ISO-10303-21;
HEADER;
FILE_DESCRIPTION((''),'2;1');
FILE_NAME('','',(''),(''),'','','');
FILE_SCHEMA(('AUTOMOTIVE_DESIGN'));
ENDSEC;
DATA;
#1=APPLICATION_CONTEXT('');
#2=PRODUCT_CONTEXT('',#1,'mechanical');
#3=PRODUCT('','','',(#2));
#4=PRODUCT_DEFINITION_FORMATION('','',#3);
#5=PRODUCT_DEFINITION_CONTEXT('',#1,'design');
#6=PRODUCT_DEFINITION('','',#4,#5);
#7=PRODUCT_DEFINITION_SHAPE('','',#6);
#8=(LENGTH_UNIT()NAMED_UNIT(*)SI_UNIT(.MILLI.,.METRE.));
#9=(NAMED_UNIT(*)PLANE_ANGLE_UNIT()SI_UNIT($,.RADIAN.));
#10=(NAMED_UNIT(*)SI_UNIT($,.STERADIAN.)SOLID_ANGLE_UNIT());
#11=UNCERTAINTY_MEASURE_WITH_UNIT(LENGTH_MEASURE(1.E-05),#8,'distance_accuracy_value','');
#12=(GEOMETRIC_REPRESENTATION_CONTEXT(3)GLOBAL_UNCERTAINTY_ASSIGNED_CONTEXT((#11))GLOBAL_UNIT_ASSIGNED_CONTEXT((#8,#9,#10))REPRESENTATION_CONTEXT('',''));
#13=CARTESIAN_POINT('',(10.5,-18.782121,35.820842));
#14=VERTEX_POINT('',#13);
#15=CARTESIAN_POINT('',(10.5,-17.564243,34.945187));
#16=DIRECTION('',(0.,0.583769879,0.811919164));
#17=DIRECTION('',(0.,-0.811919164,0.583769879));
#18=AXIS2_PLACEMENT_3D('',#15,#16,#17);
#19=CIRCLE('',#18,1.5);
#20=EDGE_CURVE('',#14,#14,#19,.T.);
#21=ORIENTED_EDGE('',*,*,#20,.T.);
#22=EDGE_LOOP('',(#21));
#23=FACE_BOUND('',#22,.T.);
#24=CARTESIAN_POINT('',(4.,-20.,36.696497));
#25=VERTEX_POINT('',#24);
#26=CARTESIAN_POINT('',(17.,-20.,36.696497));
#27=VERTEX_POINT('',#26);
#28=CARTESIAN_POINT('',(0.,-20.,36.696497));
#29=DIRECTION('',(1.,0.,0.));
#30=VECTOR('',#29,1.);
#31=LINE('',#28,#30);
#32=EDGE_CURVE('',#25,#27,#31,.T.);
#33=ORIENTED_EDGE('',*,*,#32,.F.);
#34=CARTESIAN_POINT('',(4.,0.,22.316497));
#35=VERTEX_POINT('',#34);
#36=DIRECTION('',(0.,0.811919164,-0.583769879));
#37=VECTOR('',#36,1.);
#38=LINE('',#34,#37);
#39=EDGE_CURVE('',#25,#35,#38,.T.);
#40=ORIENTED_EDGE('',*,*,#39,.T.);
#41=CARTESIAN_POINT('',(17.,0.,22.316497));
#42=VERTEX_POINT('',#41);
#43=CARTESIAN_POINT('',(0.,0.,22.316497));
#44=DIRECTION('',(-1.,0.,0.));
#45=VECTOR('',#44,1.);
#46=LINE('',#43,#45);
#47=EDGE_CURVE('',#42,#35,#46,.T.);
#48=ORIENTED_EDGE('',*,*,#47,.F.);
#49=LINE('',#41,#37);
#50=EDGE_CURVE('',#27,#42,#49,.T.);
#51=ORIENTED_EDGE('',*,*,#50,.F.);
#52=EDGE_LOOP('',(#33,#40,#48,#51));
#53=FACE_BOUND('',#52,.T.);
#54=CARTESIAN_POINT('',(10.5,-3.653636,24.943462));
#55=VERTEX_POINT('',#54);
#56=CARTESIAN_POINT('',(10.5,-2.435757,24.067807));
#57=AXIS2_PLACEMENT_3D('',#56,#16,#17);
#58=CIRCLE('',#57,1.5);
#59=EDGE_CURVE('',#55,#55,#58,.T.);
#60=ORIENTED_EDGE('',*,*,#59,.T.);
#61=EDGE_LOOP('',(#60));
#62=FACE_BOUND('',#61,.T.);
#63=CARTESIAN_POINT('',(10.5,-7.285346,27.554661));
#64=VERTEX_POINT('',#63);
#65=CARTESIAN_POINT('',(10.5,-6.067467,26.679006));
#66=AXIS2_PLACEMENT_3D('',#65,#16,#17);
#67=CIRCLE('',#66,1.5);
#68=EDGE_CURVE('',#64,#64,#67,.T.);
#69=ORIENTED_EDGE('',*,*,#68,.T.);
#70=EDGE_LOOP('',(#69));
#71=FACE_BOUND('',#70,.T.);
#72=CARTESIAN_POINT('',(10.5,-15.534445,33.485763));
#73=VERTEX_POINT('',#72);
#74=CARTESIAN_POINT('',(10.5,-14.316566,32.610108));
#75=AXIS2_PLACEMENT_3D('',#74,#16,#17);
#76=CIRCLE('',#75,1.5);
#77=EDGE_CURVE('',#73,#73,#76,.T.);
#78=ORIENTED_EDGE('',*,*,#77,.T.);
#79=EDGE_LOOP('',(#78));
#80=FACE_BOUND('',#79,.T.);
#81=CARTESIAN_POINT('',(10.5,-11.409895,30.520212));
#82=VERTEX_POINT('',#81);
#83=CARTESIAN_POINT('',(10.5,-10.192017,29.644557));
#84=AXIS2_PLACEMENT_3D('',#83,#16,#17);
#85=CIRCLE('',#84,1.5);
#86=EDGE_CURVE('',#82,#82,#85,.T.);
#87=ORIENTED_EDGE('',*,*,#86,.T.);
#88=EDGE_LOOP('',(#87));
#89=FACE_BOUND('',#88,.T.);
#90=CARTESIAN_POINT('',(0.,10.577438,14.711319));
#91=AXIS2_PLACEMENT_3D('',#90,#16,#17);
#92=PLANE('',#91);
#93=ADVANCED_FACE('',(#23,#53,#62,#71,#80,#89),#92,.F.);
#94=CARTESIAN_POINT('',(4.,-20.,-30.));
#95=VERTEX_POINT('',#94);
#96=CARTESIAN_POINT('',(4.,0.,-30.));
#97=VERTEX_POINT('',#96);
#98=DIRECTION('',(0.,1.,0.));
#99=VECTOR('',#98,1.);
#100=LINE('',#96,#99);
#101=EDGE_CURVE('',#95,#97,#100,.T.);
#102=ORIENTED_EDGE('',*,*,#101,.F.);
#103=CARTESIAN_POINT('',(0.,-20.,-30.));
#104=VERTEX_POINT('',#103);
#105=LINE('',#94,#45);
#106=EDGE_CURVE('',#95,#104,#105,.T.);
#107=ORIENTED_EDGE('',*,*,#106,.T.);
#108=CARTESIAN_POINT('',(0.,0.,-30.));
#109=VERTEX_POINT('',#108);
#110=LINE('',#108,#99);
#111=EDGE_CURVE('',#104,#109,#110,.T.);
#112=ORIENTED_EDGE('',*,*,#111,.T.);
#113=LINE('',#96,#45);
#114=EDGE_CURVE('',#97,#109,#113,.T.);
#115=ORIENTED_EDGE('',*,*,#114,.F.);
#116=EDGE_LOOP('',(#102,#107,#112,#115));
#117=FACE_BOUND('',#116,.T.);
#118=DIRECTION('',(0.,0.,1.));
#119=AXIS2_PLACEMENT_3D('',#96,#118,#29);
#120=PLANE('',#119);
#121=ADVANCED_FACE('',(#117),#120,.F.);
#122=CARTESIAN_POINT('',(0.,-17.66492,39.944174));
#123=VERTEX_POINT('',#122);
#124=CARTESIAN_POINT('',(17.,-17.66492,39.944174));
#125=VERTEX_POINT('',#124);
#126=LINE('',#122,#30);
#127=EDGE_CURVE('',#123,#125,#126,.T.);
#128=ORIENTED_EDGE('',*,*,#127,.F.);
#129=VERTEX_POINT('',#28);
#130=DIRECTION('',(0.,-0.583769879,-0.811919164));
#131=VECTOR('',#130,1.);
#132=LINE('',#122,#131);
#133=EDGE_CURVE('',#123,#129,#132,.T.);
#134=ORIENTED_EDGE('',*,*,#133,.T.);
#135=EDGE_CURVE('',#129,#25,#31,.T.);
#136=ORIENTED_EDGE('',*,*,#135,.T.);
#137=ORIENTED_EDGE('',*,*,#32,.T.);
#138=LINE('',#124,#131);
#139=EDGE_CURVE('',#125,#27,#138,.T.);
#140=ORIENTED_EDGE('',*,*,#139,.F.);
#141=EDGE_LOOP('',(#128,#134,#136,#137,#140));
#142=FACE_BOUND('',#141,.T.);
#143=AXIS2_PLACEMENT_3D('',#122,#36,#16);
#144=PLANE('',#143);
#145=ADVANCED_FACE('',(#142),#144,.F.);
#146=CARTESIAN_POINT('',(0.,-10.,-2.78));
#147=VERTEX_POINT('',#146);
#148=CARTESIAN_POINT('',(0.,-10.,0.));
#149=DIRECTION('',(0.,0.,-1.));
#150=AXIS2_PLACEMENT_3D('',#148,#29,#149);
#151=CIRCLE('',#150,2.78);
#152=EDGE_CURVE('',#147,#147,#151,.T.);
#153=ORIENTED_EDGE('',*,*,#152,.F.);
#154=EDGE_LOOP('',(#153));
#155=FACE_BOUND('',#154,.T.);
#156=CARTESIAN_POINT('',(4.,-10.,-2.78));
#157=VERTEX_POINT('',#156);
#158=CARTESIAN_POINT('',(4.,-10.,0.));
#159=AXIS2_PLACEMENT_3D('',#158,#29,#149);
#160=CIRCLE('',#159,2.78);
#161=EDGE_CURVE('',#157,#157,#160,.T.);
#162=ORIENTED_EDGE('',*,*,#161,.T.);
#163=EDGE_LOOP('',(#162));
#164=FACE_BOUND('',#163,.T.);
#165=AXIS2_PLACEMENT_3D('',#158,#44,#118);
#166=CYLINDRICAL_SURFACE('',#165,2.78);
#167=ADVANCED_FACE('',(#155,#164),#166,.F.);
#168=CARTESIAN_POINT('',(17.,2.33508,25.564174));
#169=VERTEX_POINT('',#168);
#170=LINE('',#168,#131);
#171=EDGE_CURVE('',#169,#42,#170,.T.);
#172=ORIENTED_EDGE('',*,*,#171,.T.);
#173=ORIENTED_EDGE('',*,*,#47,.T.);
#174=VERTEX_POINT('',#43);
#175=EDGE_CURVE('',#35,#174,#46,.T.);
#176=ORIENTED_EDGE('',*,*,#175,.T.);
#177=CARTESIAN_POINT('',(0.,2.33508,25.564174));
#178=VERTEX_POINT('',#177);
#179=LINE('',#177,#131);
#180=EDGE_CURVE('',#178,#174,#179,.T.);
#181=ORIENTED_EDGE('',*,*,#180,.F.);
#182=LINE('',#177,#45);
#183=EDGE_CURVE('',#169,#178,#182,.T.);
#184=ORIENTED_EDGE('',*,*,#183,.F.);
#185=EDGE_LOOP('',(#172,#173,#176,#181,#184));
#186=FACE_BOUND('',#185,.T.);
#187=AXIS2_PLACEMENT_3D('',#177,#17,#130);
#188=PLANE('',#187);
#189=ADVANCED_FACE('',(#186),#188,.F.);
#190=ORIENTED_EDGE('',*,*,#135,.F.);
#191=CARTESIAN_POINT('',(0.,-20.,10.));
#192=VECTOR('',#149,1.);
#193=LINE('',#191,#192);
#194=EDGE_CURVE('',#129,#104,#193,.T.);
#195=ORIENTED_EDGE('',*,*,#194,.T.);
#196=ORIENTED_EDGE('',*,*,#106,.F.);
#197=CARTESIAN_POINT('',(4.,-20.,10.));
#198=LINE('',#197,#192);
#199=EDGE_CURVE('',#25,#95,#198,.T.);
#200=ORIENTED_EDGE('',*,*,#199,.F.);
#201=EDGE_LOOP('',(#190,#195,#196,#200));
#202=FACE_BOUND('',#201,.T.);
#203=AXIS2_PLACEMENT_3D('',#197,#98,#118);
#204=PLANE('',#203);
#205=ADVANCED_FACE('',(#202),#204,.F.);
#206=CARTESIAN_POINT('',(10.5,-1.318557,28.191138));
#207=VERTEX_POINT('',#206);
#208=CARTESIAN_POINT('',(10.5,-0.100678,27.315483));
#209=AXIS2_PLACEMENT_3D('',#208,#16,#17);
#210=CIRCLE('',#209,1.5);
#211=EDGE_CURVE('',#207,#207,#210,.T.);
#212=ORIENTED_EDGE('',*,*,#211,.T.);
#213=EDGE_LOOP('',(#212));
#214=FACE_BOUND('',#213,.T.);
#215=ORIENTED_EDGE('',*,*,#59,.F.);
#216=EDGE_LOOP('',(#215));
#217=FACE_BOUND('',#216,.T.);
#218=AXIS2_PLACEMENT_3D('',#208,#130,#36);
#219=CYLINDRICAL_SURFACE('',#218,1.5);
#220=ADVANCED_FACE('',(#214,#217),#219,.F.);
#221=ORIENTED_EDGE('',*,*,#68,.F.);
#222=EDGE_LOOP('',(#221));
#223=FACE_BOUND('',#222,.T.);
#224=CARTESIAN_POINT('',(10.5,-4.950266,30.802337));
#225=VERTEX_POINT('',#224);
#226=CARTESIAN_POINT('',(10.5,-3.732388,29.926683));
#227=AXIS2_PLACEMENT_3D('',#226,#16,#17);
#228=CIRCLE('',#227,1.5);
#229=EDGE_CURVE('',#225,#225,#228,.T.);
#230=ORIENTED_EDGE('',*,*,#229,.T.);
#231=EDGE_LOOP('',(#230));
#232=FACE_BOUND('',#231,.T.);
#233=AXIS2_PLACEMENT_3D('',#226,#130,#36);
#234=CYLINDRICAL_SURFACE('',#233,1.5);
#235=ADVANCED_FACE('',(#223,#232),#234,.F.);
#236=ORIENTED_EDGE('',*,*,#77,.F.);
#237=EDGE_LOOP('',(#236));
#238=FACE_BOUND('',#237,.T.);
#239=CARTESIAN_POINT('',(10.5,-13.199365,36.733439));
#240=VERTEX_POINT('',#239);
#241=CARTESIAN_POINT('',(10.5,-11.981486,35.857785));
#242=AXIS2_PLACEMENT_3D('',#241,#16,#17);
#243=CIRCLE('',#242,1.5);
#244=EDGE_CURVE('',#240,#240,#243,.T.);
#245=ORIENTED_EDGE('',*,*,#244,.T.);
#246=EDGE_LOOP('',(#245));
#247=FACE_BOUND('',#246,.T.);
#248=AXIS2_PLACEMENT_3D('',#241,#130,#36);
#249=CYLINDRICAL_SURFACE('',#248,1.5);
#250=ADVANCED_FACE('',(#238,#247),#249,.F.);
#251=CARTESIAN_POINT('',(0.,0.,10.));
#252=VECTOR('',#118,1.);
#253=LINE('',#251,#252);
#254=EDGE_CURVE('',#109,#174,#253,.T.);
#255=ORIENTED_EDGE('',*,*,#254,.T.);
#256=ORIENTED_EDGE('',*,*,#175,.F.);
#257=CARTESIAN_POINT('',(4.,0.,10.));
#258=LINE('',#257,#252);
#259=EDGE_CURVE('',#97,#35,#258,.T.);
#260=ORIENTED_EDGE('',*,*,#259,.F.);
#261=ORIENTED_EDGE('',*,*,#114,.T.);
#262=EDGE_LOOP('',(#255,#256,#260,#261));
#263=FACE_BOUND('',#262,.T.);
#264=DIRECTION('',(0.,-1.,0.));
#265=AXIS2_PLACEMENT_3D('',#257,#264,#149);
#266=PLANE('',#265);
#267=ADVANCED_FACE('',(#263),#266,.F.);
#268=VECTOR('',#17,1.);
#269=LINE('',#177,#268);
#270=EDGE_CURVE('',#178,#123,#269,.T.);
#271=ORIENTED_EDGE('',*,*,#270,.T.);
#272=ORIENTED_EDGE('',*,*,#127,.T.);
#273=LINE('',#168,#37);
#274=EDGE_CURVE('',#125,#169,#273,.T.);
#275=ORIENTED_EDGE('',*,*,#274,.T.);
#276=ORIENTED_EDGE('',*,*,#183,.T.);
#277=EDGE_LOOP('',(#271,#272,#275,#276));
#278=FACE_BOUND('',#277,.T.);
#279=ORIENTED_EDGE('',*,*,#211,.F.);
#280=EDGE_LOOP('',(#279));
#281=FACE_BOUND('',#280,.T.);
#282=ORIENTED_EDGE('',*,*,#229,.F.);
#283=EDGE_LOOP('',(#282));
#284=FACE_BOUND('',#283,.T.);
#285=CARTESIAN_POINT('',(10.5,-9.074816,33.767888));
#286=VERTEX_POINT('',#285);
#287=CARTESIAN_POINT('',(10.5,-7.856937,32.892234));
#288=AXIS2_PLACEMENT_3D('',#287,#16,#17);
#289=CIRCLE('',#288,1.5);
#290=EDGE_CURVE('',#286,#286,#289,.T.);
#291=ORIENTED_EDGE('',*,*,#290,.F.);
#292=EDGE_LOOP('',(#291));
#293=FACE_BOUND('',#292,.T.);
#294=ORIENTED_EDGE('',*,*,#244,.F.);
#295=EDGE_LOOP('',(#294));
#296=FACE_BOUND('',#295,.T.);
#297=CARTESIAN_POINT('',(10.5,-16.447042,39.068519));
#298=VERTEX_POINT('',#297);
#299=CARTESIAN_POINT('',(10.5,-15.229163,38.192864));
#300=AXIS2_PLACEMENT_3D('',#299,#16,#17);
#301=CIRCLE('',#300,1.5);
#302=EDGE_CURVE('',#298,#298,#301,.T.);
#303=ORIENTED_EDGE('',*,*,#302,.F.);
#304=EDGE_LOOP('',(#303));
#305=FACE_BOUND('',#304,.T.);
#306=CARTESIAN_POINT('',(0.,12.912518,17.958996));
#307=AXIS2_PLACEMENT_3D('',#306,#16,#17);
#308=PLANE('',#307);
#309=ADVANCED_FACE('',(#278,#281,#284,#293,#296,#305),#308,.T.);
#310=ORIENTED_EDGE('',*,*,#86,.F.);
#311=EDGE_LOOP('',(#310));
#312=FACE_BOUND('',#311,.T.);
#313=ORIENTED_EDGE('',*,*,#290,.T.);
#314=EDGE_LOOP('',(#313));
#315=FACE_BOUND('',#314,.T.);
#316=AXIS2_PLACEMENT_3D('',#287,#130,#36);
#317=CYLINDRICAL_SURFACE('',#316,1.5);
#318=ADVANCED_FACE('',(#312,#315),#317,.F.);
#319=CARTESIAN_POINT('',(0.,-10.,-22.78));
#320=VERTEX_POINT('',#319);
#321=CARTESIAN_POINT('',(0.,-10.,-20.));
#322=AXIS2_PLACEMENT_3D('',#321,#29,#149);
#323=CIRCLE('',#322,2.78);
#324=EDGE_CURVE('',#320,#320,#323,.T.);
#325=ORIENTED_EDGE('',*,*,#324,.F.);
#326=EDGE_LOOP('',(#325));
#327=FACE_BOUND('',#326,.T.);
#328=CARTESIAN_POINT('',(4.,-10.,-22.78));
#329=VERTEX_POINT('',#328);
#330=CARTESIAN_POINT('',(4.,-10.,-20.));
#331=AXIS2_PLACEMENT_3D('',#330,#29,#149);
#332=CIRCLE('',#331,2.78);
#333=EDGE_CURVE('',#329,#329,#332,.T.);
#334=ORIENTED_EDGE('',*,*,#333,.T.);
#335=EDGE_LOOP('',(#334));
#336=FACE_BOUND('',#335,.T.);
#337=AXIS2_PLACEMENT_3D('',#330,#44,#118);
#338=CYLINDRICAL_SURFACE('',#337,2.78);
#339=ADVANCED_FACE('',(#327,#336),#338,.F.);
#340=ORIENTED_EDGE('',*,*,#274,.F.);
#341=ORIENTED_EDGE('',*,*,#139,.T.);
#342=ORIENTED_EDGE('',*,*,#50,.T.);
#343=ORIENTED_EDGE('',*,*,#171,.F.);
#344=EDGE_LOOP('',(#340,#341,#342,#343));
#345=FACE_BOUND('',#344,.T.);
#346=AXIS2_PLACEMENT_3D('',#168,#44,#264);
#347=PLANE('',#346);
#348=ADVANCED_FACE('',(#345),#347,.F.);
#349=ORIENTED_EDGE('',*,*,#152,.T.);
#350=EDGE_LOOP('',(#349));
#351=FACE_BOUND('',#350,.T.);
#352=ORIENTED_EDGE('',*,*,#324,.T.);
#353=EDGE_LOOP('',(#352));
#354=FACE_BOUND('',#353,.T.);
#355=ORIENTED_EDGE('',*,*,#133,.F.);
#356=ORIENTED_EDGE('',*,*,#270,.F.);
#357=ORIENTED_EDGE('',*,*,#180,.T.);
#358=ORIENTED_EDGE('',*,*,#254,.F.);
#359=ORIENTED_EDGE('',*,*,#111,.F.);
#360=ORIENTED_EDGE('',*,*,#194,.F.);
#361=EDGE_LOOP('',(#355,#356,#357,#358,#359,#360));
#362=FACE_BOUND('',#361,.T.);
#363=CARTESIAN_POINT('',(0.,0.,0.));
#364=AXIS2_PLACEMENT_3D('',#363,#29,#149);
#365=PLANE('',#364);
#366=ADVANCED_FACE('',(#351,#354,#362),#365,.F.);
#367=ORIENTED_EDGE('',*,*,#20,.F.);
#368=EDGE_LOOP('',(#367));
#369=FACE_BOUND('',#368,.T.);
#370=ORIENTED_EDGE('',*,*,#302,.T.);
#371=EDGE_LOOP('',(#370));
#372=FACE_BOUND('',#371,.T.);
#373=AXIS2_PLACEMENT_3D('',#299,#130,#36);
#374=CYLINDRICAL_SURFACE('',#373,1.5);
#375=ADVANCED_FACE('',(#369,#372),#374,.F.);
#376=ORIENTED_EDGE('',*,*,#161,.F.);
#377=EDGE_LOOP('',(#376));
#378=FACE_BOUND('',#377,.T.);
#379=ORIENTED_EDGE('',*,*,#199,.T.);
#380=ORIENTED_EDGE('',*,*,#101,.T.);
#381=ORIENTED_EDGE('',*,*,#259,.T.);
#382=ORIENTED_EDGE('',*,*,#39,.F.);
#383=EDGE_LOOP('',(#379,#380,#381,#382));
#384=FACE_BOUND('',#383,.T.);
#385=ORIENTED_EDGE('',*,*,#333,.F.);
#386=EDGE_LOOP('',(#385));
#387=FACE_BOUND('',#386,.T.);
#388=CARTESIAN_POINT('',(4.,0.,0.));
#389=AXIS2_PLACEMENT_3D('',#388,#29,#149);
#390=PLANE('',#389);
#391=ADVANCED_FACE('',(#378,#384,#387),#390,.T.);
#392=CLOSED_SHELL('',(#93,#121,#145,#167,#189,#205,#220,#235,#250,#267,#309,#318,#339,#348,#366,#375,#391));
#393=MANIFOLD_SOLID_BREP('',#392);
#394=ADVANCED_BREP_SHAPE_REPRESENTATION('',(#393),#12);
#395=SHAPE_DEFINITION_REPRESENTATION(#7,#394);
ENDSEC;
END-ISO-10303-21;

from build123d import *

# Parameters (mm, degrees)
SKETCH1_W           = 40
SKETCH1_H           = 20
SKETCH1_R           = 2.78
BOSS_EXTRUDE1_DEPTH = 4
SKETCH6_W           = 17
SKETCH6_H           = 24.632994134
SKETCH6_R           = 1.5
BOSS_EXTRUDE2_DEPTH = 4


with BuildPart() as part:
    # Sketch1 → Boss-Extrude1 (new body)
    with BuildSketch(Plane(origin=(0, 0, 0), x_dir=(0, 0, -1), z_dir=(1, 0, 0))):
        with Locations((10, -10)):
            Rectangle(SKETCH1_W, SKETCH1_H)
        with Locations((0, -10)):
            Circle(SKETCH1_R, mode=Mode.SUBTRACT)
        with Locations((20, -10)):
            Circle(SKETCH1_R, mode=Mode.SUBTRACT)
    extrude(amount=BOSS_EXTRUDE1_DEPTH)

    # Sketch5 → section 0 of loft1
    with BuildSketch(Plane(origin=(0, 10.577438307, 14.711318924), x_dir=(1, 0, 0), z_dir=(0, 0.5837698787992286, 0.8119191638375918)), mode=Mode.PRIVATE) as loft1_s0:
        with BuildLine():
            Line((0, -13.027698788), (4, -13.027698788))
            Line((4, -13.027698788), (4, -37.660692922))
            Line((4, -37.660692922), (0, -37.660692922))
            Line((0, -37.660692922), (0, -13.027698788))
        make_face()
    # loft up to a face of the part (loft1)
    loft([loft1_s0.sketch, part.faces().sort_by_distance((2, -10, 10))[0]])

    # Sketch6 → Boss-Extrude2 (add)
    with BuildSketch(Plane(origin=(0, 10.577438307, 14.711318924), x_dir=(1, 0, 0), z_dir=(0, 0.5837698787992287, 0.8119191638375917))):
        with Locations((8.5, -25.344195855)):
            Rectangle(SKETCH6_W, SKETCH6_H)
        with Locations(Location((10.5, -20.500692922, 0), (0, 0, 270))):
            Circle(SKETCH6_R, mode=Mode.SUBTRACT)
        with Locations(Location((10.5, -25.580692922, 0), (0, 0, 270))):
            Circle(SKETCH6_R, mode=Mode.SUBTRACT)
        with Locations(Location((10.5, -30.660692922, 0), (0, 0, 270))):
            Circle(SKETCH6_R, mode=Mode.SUBTRACT)
        with Locations(Location((10.5, -34.660692922, 0), (0, 0, 270))):
            Circle(SKETCH6_R, mode=Mode.SUBTRACT)
        with Locations(Location((10.5, -16.027698788, 0), (0, 0, 270))):
            Circle(SKETCH6_R, mode=Mode.SUBTRACT)
    extrude(amount=BOSS_EXTRUDE2_DEPTH)


solid = part.part
